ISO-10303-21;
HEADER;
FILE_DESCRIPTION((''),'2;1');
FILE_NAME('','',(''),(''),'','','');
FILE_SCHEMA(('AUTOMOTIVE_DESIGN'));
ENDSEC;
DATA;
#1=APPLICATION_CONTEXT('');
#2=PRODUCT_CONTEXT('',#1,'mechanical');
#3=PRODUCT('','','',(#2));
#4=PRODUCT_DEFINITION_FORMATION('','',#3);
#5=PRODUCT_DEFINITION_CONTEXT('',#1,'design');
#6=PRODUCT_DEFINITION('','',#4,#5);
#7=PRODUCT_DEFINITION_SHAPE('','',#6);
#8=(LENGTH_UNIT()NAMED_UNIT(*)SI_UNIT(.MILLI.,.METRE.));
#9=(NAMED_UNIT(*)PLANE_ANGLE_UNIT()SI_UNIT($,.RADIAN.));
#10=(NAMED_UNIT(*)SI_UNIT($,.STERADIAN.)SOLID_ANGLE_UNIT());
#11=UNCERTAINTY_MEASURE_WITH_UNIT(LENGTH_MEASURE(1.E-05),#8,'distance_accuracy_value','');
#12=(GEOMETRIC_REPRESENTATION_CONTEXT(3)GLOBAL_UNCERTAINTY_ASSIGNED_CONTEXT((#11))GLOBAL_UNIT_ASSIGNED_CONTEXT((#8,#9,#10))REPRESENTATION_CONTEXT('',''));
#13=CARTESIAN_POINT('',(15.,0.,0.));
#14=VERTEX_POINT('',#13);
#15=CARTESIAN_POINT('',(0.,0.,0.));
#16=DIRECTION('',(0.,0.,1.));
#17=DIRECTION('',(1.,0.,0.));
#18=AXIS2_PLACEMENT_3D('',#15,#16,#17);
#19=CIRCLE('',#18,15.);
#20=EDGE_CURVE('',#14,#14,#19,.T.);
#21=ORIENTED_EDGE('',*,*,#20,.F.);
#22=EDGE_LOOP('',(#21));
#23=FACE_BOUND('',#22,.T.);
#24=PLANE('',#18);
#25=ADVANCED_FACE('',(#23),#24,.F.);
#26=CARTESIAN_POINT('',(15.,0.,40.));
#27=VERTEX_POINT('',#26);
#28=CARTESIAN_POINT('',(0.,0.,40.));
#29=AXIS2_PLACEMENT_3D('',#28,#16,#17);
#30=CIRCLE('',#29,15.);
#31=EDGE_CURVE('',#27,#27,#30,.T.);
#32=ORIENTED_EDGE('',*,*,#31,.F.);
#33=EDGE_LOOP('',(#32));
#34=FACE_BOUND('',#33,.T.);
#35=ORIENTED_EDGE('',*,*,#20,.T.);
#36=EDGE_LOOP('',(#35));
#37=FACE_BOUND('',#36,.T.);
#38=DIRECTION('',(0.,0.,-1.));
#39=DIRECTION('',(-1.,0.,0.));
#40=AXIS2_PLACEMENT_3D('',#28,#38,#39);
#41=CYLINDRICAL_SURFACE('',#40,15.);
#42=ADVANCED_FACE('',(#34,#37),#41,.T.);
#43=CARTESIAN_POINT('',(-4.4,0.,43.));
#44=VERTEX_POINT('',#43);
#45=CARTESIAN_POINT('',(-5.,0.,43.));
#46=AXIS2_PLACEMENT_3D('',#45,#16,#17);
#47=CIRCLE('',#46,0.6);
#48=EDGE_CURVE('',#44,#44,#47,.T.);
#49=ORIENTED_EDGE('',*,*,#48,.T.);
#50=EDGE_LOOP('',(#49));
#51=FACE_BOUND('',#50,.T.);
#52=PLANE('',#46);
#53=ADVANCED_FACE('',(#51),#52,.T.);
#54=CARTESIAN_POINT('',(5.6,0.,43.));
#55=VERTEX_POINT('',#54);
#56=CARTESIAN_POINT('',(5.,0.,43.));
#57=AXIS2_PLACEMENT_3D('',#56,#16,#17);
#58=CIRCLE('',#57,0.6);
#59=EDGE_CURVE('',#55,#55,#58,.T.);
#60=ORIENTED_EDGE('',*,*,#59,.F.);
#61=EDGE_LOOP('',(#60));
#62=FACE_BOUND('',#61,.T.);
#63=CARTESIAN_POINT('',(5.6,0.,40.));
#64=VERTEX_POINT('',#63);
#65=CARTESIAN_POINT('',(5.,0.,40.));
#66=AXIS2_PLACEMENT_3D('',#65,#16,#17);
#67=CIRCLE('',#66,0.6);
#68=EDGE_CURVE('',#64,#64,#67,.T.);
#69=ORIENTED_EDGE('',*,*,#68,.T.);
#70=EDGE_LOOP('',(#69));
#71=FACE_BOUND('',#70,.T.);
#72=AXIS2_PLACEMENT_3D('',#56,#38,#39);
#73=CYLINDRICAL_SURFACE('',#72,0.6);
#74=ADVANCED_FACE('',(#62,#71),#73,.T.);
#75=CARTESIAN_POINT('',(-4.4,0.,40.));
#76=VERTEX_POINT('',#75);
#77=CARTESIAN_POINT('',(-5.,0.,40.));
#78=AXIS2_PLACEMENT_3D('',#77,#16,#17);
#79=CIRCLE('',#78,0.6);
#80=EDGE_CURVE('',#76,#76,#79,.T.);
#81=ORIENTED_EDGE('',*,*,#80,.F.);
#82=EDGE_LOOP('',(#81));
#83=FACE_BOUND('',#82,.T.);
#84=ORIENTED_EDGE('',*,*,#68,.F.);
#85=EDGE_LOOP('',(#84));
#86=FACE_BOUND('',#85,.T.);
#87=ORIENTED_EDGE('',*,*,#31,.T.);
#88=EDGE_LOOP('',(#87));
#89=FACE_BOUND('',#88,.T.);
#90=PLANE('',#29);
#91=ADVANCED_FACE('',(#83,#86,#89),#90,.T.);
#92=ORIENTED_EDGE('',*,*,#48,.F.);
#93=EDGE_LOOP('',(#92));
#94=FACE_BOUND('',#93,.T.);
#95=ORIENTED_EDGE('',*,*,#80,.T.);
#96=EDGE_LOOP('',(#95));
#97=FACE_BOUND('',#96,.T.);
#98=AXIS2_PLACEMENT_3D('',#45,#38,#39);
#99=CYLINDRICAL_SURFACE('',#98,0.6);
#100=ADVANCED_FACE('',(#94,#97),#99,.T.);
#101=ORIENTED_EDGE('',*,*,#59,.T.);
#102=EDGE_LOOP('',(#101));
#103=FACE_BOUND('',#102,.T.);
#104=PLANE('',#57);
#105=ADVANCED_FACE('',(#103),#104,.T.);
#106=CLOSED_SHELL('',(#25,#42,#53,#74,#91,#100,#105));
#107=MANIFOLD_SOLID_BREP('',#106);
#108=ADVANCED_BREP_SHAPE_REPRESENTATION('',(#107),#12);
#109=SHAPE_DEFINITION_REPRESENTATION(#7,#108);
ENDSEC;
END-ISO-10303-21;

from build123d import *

# Parameters (mm, degrees)
SKETCH_1_R      = 15
EXTRUDE_1_DEPTH = 40
SKETCH_2_R      = 0.6
EXTRUDE_2_DEPTH = 3


with BuildPart() as part:
    # Эскиз1 → Вытянуть1 (new body)
    with BuildSketch(Plane.XY):
        Circle(SKETCH_1_R)
    extrude(amount=EXTRUDE_1_DEPTH)

    # Эскиз2 → Вытянуть2 (add)
    with BuildSketch(Plane.XY.offset(40)):
        with Locations((-5, 0)):
            Circle(SKETCH_2_R)
        with Locations((5, 0)):
            Circle(SKETCH_2_R)
    extrude(amount=EXTRUDE_2_DEPTH)


solid = part.part
